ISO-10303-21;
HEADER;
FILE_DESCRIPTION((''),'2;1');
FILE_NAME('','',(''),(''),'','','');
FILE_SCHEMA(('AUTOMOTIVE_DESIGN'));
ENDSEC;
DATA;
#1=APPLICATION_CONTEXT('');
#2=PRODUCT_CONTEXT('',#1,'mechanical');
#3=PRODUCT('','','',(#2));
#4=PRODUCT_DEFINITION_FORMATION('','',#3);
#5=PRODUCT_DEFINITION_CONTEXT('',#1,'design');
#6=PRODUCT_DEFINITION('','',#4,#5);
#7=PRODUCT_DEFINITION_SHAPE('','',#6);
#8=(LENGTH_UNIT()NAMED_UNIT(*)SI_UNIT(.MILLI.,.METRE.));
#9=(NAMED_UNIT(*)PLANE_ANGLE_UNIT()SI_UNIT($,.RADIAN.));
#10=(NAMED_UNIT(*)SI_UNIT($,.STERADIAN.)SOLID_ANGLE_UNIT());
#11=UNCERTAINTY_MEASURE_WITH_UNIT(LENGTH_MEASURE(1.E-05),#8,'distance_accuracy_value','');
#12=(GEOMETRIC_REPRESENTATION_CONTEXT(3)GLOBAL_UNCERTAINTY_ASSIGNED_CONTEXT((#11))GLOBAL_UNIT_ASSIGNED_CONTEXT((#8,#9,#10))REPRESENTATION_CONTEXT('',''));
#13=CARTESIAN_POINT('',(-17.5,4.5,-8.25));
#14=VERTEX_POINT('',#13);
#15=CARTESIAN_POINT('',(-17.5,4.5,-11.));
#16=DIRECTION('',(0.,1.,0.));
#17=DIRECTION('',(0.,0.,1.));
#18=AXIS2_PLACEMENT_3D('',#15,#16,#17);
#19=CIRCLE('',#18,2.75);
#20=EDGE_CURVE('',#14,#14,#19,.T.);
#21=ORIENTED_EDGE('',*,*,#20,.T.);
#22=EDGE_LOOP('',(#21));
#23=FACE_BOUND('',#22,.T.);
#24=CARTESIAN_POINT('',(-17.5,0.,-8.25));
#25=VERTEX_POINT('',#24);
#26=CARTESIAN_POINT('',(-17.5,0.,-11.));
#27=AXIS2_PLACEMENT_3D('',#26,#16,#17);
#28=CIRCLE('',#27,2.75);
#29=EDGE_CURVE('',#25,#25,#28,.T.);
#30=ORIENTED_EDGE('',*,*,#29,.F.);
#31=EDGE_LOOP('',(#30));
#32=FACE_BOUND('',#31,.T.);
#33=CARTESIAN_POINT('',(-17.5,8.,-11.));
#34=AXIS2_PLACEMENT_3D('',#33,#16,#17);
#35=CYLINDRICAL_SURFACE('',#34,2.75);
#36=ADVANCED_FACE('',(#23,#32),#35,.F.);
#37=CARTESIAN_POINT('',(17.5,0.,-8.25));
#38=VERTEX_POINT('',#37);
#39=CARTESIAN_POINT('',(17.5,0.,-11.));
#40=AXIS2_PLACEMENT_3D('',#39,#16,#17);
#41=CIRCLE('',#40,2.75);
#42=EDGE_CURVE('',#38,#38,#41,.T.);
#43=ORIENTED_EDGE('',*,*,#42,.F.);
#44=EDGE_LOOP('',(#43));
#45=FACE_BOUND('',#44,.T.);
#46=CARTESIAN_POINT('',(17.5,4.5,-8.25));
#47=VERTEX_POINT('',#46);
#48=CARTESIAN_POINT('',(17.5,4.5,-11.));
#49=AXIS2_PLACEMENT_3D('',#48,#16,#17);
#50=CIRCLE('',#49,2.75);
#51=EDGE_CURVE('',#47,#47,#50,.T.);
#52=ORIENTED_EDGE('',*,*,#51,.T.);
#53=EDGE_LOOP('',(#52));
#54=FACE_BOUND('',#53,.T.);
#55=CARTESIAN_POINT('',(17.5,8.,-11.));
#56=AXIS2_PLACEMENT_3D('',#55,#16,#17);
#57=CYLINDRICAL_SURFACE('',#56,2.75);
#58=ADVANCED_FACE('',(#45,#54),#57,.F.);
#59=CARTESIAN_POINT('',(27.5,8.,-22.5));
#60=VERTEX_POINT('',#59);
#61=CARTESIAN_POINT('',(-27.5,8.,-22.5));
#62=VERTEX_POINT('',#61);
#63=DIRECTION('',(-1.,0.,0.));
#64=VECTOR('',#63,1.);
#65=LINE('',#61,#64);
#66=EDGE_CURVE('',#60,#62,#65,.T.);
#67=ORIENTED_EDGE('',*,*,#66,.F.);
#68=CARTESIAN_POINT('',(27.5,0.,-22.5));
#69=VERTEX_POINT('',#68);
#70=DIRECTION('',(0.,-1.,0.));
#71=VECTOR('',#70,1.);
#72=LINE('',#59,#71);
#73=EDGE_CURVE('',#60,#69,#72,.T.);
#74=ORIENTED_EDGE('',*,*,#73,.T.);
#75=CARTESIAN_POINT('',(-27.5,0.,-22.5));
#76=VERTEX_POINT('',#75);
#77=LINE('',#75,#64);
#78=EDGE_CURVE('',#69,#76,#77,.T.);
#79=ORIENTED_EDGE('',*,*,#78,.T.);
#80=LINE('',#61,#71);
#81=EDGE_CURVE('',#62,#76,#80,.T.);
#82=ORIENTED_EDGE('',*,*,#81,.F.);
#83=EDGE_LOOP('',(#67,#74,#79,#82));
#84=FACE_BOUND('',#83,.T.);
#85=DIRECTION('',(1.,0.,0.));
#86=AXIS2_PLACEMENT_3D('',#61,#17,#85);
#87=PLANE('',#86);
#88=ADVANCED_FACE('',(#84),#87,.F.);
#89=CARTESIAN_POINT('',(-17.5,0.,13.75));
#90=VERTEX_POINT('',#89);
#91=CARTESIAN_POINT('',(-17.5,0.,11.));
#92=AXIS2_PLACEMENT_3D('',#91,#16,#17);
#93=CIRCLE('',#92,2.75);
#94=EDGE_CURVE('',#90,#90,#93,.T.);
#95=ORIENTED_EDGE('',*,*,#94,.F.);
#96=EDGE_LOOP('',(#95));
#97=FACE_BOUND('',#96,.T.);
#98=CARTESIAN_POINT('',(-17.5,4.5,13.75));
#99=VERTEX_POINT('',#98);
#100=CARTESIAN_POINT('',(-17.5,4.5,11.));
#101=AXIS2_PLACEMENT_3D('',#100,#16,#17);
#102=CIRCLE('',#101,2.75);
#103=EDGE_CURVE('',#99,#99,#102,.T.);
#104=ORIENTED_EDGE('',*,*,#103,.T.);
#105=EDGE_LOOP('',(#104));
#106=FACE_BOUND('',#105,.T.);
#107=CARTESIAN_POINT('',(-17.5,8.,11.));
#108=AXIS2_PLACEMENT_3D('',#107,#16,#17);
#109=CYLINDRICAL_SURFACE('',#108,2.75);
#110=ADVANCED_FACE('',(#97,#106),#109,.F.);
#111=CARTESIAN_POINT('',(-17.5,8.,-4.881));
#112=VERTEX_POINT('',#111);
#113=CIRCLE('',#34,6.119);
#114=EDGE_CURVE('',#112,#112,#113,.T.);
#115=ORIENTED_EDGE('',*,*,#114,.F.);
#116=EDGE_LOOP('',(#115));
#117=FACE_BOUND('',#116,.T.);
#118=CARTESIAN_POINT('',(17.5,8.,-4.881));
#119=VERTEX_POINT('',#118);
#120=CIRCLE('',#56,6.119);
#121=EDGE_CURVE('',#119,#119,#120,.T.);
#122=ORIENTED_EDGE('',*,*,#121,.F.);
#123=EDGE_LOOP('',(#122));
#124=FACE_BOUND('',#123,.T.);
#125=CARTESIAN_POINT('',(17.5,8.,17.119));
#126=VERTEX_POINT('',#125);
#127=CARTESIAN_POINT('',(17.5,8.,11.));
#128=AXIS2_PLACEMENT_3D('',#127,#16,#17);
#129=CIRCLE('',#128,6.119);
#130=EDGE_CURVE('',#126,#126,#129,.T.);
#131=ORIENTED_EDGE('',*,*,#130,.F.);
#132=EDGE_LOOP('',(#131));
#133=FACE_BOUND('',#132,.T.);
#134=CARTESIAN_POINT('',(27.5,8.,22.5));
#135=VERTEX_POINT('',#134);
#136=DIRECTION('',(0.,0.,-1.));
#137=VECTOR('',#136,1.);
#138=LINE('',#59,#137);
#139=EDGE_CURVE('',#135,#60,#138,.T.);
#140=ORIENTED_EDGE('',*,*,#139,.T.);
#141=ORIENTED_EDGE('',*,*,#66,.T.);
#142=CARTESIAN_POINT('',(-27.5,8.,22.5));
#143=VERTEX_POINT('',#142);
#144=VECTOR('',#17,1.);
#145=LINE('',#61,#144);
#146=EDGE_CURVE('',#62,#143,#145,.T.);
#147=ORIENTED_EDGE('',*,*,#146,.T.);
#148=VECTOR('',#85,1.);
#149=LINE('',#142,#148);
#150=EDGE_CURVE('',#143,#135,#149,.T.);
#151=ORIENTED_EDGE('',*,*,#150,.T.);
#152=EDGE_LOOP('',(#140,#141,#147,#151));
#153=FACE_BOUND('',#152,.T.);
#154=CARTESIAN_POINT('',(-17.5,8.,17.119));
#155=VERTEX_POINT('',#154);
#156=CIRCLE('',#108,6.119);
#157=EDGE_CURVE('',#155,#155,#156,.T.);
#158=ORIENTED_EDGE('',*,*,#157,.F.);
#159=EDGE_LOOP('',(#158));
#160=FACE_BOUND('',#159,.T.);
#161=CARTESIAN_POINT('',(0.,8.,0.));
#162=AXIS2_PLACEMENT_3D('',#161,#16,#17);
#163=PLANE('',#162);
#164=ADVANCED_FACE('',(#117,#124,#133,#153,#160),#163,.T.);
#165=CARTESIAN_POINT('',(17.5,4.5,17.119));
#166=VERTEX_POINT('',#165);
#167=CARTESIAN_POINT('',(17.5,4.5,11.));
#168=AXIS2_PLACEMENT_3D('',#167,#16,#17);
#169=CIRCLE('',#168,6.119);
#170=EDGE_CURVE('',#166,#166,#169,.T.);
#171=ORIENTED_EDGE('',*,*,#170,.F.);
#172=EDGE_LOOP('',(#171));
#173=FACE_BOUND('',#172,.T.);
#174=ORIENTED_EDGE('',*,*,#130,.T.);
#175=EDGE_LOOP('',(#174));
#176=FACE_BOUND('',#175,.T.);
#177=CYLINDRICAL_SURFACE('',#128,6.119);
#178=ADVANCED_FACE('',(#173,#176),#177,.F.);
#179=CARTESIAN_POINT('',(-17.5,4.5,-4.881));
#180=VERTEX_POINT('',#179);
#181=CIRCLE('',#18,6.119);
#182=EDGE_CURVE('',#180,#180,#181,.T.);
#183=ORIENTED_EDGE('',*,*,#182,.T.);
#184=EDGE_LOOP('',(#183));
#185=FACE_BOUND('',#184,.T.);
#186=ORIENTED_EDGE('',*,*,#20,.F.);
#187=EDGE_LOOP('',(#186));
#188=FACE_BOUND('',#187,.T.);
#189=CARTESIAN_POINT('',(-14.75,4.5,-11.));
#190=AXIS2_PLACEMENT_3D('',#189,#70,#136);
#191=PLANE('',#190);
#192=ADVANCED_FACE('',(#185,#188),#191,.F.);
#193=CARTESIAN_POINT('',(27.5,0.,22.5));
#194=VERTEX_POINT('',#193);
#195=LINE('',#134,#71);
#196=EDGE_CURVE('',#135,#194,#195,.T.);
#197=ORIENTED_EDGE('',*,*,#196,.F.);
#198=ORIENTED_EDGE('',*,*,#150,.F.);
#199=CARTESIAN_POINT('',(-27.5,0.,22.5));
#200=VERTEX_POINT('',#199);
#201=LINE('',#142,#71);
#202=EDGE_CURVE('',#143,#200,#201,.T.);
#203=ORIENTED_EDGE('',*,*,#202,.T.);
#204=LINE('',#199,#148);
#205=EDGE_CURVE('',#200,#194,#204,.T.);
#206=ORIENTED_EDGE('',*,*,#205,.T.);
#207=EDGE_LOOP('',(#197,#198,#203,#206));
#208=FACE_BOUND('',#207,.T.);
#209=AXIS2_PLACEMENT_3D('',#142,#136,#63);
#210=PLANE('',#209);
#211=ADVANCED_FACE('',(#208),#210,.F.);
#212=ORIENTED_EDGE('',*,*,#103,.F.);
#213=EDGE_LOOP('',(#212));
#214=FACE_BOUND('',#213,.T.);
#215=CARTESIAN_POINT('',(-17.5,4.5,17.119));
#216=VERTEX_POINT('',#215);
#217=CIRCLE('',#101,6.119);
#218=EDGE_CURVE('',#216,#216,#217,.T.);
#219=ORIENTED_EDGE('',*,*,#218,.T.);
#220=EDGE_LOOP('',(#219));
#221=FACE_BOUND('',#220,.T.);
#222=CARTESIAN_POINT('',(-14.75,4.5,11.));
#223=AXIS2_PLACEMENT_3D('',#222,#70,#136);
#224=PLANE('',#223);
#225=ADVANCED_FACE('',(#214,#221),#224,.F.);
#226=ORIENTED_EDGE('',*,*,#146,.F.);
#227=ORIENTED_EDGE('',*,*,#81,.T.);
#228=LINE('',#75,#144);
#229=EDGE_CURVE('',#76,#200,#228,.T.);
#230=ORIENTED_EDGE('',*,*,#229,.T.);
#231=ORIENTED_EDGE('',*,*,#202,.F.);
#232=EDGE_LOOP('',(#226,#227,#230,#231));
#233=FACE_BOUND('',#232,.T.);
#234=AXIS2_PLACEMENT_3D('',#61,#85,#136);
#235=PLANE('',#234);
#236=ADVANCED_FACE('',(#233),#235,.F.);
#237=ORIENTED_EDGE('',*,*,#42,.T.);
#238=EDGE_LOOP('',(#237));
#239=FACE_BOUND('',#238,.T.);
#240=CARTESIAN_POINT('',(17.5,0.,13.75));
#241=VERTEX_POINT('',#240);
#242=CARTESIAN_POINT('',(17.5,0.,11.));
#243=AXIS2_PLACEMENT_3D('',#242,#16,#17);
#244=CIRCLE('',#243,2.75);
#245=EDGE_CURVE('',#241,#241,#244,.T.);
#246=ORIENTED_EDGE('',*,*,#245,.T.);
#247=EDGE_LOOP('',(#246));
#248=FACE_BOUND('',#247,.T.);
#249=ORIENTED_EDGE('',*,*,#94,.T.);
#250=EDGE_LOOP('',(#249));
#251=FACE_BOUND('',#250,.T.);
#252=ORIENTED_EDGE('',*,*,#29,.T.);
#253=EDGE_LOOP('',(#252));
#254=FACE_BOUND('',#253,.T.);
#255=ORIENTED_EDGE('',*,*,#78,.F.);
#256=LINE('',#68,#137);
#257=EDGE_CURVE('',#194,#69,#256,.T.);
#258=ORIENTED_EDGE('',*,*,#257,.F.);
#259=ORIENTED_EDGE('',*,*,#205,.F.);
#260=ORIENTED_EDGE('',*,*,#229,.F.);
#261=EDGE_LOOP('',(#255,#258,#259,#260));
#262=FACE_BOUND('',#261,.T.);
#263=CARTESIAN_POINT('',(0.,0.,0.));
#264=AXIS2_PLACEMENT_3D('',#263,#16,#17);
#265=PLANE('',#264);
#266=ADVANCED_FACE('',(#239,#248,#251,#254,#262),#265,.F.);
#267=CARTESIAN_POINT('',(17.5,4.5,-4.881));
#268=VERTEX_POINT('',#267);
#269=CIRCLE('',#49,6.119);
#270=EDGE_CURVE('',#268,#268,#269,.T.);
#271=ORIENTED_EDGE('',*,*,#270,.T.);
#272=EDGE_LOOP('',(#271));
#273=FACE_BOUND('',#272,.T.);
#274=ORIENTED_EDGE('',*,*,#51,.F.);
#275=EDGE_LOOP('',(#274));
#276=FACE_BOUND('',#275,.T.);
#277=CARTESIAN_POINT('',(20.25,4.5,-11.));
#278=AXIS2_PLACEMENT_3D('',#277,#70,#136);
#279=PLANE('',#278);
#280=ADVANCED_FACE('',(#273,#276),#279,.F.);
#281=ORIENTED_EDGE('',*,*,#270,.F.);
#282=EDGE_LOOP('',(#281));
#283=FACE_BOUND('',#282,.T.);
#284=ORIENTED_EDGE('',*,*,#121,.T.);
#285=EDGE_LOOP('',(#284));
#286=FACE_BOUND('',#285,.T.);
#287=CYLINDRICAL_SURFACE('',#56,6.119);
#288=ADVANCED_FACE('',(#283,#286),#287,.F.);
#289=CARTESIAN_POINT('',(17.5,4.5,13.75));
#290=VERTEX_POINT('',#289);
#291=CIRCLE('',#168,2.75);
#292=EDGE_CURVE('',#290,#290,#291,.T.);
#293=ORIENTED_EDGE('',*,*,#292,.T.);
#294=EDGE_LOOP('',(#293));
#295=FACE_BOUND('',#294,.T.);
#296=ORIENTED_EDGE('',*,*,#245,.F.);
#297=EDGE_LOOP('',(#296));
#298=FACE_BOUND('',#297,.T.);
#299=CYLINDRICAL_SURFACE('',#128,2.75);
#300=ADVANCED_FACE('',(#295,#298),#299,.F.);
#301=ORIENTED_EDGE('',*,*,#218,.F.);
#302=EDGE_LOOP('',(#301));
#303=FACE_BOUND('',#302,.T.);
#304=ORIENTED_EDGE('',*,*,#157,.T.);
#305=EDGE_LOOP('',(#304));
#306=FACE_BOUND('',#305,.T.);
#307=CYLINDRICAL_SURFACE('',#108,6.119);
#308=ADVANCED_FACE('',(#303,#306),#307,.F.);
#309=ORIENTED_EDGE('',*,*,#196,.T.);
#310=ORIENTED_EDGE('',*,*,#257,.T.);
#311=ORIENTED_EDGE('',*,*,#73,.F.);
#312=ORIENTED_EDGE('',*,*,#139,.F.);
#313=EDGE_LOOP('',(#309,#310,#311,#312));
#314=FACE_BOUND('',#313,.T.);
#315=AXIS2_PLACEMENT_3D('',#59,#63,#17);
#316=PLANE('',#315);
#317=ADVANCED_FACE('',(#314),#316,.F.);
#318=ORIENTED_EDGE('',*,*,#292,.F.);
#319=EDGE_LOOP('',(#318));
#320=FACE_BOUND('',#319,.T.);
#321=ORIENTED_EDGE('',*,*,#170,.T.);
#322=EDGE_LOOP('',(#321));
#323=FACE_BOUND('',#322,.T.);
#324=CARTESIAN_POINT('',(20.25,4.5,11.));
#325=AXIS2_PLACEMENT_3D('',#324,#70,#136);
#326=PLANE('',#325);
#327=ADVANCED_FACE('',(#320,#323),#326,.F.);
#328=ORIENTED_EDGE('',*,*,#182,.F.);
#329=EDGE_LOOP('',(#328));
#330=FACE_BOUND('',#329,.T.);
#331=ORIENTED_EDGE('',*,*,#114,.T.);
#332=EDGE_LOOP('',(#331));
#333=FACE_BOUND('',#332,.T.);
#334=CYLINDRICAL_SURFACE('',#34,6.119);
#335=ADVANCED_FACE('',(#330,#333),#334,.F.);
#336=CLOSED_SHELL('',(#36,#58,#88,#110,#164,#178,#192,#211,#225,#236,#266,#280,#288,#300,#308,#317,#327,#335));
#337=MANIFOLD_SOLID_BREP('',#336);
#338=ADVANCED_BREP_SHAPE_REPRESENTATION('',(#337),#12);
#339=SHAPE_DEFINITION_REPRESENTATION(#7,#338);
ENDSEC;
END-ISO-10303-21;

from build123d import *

# Parameters (mm, degrees)
SKETCH1_W                                    = 55
SKETCH1_H                                    = 45
BOSS_EXTRUDE1_DEPTH                          = 8
CBORE_FOR_M5_HEX_HEAD_CAP_SCREW1_D           = 5.5
CBORE_FOR_M5_HEX_HEAD_CAP_SCREW1_CBORE_D     = 12.238
CBORE_FOR_M5_HEX_HEAD_CAP_SCREW1_CBORE_DEPTH = 3.5


with BuildPart() as part:
    # Sketch1 → Boss-Extrude1 (new body)
    with BuildSketch(Plane(origin=(0, 0, 0), x_dir=(1, 0, 0), z_dir=(0, 1, 0))):
        Rectangle(SKETCH1_W, SKETCH1_H)
    extrude(amount=BOSS_EXTRUDE1_DEPTH)

    # CBORE for M5 Hex Head Cap Screw1 (through all)
    with Locations(Plane(origin=(0, 8, 0), x_dir=(1, 0, 0), z_dir=(0, 1, 0))):
        with Locations((-17.5, 11), (17.5, 11), (17.5, -11), (-17.5, -11)):
            CounterBoreHole(CBORE_FOR_M5_HEX_HEAD_CAP_SCREW1_D / 2, CBORE_FOR_M5_HEX_HEAD_CAP_SCREW1_CBORE_D / 2, CBORE_FOR_M5_HEX_HEAD_CAP_SCREW1_CBORE_DEPTH)


solid = part.part
